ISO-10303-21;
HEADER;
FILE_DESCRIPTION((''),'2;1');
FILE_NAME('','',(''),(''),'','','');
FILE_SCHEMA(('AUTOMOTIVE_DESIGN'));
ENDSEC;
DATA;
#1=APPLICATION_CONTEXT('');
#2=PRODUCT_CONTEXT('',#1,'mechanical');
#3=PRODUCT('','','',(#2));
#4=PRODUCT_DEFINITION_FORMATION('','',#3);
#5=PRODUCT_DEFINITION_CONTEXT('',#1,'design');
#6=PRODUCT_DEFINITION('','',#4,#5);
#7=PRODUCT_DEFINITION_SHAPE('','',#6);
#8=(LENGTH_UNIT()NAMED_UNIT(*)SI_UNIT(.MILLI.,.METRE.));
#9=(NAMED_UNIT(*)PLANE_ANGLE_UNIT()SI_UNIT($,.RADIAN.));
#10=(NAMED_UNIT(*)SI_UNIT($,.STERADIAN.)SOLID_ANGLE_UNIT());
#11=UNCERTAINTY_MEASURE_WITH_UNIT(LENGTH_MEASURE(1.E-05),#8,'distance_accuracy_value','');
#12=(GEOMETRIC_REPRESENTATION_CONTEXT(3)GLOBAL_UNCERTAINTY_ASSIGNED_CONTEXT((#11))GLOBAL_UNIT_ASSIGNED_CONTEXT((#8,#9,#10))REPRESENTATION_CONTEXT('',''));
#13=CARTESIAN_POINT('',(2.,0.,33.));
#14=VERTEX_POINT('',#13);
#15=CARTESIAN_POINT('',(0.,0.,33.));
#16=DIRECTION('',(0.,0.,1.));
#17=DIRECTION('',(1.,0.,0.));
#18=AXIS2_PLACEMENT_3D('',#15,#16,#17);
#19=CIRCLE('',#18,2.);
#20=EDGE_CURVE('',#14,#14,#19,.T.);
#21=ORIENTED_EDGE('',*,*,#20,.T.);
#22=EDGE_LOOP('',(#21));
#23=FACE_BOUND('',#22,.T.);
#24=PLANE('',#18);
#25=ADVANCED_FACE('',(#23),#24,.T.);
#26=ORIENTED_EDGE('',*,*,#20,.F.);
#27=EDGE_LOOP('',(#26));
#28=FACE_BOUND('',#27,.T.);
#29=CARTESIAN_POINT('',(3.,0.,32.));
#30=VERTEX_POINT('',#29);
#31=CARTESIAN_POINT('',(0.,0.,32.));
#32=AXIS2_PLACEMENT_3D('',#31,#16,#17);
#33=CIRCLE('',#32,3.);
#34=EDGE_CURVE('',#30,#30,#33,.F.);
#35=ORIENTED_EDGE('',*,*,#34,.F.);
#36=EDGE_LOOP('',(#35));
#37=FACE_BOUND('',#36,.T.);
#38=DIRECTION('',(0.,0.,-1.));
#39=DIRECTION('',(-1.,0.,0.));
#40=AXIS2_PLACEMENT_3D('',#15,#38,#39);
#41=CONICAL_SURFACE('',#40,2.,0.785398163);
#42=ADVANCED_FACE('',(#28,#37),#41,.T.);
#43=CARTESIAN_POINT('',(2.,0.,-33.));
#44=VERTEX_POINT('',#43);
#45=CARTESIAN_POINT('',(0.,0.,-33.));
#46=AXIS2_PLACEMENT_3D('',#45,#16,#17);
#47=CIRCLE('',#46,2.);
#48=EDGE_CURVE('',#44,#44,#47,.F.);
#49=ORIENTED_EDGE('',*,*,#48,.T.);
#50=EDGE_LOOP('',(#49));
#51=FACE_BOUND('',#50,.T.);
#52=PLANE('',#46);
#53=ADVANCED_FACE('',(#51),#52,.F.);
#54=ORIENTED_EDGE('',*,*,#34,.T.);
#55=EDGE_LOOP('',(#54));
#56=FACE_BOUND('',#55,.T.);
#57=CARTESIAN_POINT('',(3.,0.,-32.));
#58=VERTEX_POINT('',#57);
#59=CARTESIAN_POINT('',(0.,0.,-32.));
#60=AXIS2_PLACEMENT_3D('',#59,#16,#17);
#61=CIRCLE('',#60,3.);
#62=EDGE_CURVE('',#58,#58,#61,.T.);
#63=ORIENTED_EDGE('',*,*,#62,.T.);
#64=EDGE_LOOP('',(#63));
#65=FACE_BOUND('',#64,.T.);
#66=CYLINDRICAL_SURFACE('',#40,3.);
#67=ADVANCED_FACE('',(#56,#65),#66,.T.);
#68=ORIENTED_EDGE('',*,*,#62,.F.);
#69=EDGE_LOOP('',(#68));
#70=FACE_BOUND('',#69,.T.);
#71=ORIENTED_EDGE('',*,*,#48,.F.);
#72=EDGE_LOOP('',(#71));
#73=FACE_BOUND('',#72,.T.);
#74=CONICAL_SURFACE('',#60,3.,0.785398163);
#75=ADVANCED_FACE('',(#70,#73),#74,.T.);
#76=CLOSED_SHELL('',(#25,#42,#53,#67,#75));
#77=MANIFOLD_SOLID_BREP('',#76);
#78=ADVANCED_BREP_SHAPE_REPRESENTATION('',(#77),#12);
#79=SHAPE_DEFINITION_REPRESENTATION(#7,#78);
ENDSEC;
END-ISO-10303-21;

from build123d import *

# Parameters (mm, degrees)
SZKIC1_R                    = 3
DODANIE_WYCI_GNI_CIE1_DEPTH = 33
SFAZOWANIE1_SIZE            = 1


with BuildPart() as part:
    # Szkic1 → Dodanie-wyciągnięcie1 (new, symmetric)
    with BuildSketch(Plane.XY):
        Circle(SZKIC1_R)
    extrude(amount=DODANIE_WYCI_GNI_CIE1_DEPTH, both=True)

    # Sfazowanie1
    sfazowanie1_edges = [part.edges().sort_by_distance(p)[0] for p in [
        (-3, 0, -33),
        (-3, 0, 33),
    ]]
    chamfer(sfazowanie1_edges, length=SFAZOWANIE1_SIZE)


solid = part.part
